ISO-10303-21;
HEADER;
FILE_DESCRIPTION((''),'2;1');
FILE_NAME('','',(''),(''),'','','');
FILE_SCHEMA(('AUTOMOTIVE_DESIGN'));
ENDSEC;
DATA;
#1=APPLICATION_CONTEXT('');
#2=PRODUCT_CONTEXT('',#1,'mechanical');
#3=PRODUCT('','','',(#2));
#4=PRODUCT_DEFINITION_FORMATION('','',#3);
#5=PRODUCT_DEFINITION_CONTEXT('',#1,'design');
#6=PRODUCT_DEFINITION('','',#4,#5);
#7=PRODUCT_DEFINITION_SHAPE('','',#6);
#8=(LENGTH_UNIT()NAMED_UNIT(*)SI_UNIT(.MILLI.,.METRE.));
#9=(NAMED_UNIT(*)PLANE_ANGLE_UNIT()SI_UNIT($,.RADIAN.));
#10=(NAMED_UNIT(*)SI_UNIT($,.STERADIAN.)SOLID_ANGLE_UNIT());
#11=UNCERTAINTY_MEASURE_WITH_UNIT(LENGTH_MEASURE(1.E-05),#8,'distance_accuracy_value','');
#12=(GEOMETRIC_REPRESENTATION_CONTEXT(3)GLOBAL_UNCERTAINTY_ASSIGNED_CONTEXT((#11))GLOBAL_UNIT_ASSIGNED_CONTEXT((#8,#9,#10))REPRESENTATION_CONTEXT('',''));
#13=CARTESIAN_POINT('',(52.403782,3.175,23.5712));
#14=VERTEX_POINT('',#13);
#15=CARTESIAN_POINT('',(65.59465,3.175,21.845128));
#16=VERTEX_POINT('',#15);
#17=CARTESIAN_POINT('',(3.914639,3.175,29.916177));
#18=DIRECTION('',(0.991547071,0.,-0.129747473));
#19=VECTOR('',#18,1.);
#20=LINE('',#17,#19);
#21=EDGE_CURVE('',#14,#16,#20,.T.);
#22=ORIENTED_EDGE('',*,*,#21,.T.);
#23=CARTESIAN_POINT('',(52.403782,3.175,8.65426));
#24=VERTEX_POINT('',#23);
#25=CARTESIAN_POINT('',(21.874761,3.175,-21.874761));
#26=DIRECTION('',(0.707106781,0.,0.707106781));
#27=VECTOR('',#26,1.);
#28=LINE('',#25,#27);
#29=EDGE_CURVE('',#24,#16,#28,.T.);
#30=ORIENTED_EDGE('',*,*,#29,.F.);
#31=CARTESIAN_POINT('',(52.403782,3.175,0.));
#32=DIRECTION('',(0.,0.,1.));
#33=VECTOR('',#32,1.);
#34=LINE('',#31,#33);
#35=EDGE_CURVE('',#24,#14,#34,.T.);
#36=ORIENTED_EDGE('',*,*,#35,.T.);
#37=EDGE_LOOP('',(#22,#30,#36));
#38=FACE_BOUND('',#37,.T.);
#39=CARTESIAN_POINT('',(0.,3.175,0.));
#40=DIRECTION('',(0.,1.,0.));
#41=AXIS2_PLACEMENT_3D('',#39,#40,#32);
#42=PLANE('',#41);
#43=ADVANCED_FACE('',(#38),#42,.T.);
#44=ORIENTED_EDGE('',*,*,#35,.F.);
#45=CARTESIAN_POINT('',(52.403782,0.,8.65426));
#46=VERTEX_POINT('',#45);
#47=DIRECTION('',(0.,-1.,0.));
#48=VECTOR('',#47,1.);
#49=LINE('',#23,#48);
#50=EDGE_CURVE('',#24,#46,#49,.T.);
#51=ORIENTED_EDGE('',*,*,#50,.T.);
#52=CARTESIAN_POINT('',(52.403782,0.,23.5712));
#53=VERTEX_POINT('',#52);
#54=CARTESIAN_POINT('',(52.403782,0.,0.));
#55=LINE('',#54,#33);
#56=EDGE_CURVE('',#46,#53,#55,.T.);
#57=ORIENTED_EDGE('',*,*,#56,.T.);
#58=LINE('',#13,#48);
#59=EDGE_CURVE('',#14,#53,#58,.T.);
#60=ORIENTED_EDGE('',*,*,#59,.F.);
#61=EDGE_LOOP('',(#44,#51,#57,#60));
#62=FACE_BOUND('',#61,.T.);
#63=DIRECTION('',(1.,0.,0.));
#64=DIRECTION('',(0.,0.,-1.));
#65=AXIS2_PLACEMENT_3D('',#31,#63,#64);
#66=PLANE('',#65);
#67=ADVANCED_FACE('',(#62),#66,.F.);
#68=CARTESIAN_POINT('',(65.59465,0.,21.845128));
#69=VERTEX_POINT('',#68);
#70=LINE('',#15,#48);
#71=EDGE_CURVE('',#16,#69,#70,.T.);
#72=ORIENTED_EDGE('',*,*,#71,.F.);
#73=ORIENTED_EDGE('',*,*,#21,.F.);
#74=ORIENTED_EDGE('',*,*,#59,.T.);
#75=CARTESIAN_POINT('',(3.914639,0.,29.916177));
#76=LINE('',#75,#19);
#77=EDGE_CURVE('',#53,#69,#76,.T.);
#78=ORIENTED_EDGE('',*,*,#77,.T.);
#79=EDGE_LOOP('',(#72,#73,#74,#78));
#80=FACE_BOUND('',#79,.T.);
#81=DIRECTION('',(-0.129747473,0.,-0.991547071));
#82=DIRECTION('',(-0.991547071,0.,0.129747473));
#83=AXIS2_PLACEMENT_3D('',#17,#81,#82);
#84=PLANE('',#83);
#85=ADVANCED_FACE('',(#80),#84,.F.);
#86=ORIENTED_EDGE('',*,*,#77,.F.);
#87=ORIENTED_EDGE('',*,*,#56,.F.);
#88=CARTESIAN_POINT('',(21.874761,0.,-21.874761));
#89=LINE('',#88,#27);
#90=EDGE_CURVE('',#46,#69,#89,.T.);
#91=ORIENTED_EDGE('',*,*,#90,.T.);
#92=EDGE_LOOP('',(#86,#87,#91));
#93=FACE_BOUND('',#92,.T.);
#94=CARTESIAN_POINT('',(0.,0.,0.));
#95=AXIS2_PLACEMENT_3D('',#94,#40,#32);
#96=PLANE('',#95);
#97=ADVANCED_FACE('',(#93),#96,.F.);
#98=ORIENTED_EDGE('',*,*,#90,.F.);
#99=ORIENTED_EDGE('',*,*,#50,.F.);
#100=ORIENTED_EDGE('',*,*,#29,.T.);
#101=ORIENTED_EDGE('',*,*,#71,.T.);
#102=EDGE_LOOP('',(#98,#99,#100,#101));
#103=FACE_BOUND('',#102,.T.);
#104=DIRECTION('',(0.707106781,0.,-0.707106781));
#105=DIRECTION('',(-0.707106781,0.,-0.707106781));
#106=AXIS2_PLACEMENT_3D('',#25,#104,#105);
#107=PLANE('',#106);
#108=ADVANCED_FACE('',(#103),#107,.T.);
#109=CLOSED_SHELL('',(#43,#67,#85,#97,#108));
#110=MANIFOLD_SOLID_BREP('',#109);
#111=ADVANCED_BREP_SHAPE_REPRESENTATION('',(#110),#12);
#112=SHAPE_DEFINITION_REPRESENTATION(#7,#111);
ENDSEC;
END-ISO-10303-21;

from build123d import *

# Parameters (mm, degrees)
BOSS_EXTRUDE1_DEPTH = 3.175


with BuildPart() as part:
    # Sketch2 → Boss-Extrude1 (new body)
    with BuildSketch(Plane(origin=(0, 0, 0), x_dir=(1, 0, 0), z_dir=(0, 1, 0))):
        Polygon((52.403782418, -8.654260267), (52.403782418, -23.571199953), (65.594650002, -21.845127851), align=None)
    extrude(amount=BOSS_EXTRUDE1_DEPTH)


solid = part.part
